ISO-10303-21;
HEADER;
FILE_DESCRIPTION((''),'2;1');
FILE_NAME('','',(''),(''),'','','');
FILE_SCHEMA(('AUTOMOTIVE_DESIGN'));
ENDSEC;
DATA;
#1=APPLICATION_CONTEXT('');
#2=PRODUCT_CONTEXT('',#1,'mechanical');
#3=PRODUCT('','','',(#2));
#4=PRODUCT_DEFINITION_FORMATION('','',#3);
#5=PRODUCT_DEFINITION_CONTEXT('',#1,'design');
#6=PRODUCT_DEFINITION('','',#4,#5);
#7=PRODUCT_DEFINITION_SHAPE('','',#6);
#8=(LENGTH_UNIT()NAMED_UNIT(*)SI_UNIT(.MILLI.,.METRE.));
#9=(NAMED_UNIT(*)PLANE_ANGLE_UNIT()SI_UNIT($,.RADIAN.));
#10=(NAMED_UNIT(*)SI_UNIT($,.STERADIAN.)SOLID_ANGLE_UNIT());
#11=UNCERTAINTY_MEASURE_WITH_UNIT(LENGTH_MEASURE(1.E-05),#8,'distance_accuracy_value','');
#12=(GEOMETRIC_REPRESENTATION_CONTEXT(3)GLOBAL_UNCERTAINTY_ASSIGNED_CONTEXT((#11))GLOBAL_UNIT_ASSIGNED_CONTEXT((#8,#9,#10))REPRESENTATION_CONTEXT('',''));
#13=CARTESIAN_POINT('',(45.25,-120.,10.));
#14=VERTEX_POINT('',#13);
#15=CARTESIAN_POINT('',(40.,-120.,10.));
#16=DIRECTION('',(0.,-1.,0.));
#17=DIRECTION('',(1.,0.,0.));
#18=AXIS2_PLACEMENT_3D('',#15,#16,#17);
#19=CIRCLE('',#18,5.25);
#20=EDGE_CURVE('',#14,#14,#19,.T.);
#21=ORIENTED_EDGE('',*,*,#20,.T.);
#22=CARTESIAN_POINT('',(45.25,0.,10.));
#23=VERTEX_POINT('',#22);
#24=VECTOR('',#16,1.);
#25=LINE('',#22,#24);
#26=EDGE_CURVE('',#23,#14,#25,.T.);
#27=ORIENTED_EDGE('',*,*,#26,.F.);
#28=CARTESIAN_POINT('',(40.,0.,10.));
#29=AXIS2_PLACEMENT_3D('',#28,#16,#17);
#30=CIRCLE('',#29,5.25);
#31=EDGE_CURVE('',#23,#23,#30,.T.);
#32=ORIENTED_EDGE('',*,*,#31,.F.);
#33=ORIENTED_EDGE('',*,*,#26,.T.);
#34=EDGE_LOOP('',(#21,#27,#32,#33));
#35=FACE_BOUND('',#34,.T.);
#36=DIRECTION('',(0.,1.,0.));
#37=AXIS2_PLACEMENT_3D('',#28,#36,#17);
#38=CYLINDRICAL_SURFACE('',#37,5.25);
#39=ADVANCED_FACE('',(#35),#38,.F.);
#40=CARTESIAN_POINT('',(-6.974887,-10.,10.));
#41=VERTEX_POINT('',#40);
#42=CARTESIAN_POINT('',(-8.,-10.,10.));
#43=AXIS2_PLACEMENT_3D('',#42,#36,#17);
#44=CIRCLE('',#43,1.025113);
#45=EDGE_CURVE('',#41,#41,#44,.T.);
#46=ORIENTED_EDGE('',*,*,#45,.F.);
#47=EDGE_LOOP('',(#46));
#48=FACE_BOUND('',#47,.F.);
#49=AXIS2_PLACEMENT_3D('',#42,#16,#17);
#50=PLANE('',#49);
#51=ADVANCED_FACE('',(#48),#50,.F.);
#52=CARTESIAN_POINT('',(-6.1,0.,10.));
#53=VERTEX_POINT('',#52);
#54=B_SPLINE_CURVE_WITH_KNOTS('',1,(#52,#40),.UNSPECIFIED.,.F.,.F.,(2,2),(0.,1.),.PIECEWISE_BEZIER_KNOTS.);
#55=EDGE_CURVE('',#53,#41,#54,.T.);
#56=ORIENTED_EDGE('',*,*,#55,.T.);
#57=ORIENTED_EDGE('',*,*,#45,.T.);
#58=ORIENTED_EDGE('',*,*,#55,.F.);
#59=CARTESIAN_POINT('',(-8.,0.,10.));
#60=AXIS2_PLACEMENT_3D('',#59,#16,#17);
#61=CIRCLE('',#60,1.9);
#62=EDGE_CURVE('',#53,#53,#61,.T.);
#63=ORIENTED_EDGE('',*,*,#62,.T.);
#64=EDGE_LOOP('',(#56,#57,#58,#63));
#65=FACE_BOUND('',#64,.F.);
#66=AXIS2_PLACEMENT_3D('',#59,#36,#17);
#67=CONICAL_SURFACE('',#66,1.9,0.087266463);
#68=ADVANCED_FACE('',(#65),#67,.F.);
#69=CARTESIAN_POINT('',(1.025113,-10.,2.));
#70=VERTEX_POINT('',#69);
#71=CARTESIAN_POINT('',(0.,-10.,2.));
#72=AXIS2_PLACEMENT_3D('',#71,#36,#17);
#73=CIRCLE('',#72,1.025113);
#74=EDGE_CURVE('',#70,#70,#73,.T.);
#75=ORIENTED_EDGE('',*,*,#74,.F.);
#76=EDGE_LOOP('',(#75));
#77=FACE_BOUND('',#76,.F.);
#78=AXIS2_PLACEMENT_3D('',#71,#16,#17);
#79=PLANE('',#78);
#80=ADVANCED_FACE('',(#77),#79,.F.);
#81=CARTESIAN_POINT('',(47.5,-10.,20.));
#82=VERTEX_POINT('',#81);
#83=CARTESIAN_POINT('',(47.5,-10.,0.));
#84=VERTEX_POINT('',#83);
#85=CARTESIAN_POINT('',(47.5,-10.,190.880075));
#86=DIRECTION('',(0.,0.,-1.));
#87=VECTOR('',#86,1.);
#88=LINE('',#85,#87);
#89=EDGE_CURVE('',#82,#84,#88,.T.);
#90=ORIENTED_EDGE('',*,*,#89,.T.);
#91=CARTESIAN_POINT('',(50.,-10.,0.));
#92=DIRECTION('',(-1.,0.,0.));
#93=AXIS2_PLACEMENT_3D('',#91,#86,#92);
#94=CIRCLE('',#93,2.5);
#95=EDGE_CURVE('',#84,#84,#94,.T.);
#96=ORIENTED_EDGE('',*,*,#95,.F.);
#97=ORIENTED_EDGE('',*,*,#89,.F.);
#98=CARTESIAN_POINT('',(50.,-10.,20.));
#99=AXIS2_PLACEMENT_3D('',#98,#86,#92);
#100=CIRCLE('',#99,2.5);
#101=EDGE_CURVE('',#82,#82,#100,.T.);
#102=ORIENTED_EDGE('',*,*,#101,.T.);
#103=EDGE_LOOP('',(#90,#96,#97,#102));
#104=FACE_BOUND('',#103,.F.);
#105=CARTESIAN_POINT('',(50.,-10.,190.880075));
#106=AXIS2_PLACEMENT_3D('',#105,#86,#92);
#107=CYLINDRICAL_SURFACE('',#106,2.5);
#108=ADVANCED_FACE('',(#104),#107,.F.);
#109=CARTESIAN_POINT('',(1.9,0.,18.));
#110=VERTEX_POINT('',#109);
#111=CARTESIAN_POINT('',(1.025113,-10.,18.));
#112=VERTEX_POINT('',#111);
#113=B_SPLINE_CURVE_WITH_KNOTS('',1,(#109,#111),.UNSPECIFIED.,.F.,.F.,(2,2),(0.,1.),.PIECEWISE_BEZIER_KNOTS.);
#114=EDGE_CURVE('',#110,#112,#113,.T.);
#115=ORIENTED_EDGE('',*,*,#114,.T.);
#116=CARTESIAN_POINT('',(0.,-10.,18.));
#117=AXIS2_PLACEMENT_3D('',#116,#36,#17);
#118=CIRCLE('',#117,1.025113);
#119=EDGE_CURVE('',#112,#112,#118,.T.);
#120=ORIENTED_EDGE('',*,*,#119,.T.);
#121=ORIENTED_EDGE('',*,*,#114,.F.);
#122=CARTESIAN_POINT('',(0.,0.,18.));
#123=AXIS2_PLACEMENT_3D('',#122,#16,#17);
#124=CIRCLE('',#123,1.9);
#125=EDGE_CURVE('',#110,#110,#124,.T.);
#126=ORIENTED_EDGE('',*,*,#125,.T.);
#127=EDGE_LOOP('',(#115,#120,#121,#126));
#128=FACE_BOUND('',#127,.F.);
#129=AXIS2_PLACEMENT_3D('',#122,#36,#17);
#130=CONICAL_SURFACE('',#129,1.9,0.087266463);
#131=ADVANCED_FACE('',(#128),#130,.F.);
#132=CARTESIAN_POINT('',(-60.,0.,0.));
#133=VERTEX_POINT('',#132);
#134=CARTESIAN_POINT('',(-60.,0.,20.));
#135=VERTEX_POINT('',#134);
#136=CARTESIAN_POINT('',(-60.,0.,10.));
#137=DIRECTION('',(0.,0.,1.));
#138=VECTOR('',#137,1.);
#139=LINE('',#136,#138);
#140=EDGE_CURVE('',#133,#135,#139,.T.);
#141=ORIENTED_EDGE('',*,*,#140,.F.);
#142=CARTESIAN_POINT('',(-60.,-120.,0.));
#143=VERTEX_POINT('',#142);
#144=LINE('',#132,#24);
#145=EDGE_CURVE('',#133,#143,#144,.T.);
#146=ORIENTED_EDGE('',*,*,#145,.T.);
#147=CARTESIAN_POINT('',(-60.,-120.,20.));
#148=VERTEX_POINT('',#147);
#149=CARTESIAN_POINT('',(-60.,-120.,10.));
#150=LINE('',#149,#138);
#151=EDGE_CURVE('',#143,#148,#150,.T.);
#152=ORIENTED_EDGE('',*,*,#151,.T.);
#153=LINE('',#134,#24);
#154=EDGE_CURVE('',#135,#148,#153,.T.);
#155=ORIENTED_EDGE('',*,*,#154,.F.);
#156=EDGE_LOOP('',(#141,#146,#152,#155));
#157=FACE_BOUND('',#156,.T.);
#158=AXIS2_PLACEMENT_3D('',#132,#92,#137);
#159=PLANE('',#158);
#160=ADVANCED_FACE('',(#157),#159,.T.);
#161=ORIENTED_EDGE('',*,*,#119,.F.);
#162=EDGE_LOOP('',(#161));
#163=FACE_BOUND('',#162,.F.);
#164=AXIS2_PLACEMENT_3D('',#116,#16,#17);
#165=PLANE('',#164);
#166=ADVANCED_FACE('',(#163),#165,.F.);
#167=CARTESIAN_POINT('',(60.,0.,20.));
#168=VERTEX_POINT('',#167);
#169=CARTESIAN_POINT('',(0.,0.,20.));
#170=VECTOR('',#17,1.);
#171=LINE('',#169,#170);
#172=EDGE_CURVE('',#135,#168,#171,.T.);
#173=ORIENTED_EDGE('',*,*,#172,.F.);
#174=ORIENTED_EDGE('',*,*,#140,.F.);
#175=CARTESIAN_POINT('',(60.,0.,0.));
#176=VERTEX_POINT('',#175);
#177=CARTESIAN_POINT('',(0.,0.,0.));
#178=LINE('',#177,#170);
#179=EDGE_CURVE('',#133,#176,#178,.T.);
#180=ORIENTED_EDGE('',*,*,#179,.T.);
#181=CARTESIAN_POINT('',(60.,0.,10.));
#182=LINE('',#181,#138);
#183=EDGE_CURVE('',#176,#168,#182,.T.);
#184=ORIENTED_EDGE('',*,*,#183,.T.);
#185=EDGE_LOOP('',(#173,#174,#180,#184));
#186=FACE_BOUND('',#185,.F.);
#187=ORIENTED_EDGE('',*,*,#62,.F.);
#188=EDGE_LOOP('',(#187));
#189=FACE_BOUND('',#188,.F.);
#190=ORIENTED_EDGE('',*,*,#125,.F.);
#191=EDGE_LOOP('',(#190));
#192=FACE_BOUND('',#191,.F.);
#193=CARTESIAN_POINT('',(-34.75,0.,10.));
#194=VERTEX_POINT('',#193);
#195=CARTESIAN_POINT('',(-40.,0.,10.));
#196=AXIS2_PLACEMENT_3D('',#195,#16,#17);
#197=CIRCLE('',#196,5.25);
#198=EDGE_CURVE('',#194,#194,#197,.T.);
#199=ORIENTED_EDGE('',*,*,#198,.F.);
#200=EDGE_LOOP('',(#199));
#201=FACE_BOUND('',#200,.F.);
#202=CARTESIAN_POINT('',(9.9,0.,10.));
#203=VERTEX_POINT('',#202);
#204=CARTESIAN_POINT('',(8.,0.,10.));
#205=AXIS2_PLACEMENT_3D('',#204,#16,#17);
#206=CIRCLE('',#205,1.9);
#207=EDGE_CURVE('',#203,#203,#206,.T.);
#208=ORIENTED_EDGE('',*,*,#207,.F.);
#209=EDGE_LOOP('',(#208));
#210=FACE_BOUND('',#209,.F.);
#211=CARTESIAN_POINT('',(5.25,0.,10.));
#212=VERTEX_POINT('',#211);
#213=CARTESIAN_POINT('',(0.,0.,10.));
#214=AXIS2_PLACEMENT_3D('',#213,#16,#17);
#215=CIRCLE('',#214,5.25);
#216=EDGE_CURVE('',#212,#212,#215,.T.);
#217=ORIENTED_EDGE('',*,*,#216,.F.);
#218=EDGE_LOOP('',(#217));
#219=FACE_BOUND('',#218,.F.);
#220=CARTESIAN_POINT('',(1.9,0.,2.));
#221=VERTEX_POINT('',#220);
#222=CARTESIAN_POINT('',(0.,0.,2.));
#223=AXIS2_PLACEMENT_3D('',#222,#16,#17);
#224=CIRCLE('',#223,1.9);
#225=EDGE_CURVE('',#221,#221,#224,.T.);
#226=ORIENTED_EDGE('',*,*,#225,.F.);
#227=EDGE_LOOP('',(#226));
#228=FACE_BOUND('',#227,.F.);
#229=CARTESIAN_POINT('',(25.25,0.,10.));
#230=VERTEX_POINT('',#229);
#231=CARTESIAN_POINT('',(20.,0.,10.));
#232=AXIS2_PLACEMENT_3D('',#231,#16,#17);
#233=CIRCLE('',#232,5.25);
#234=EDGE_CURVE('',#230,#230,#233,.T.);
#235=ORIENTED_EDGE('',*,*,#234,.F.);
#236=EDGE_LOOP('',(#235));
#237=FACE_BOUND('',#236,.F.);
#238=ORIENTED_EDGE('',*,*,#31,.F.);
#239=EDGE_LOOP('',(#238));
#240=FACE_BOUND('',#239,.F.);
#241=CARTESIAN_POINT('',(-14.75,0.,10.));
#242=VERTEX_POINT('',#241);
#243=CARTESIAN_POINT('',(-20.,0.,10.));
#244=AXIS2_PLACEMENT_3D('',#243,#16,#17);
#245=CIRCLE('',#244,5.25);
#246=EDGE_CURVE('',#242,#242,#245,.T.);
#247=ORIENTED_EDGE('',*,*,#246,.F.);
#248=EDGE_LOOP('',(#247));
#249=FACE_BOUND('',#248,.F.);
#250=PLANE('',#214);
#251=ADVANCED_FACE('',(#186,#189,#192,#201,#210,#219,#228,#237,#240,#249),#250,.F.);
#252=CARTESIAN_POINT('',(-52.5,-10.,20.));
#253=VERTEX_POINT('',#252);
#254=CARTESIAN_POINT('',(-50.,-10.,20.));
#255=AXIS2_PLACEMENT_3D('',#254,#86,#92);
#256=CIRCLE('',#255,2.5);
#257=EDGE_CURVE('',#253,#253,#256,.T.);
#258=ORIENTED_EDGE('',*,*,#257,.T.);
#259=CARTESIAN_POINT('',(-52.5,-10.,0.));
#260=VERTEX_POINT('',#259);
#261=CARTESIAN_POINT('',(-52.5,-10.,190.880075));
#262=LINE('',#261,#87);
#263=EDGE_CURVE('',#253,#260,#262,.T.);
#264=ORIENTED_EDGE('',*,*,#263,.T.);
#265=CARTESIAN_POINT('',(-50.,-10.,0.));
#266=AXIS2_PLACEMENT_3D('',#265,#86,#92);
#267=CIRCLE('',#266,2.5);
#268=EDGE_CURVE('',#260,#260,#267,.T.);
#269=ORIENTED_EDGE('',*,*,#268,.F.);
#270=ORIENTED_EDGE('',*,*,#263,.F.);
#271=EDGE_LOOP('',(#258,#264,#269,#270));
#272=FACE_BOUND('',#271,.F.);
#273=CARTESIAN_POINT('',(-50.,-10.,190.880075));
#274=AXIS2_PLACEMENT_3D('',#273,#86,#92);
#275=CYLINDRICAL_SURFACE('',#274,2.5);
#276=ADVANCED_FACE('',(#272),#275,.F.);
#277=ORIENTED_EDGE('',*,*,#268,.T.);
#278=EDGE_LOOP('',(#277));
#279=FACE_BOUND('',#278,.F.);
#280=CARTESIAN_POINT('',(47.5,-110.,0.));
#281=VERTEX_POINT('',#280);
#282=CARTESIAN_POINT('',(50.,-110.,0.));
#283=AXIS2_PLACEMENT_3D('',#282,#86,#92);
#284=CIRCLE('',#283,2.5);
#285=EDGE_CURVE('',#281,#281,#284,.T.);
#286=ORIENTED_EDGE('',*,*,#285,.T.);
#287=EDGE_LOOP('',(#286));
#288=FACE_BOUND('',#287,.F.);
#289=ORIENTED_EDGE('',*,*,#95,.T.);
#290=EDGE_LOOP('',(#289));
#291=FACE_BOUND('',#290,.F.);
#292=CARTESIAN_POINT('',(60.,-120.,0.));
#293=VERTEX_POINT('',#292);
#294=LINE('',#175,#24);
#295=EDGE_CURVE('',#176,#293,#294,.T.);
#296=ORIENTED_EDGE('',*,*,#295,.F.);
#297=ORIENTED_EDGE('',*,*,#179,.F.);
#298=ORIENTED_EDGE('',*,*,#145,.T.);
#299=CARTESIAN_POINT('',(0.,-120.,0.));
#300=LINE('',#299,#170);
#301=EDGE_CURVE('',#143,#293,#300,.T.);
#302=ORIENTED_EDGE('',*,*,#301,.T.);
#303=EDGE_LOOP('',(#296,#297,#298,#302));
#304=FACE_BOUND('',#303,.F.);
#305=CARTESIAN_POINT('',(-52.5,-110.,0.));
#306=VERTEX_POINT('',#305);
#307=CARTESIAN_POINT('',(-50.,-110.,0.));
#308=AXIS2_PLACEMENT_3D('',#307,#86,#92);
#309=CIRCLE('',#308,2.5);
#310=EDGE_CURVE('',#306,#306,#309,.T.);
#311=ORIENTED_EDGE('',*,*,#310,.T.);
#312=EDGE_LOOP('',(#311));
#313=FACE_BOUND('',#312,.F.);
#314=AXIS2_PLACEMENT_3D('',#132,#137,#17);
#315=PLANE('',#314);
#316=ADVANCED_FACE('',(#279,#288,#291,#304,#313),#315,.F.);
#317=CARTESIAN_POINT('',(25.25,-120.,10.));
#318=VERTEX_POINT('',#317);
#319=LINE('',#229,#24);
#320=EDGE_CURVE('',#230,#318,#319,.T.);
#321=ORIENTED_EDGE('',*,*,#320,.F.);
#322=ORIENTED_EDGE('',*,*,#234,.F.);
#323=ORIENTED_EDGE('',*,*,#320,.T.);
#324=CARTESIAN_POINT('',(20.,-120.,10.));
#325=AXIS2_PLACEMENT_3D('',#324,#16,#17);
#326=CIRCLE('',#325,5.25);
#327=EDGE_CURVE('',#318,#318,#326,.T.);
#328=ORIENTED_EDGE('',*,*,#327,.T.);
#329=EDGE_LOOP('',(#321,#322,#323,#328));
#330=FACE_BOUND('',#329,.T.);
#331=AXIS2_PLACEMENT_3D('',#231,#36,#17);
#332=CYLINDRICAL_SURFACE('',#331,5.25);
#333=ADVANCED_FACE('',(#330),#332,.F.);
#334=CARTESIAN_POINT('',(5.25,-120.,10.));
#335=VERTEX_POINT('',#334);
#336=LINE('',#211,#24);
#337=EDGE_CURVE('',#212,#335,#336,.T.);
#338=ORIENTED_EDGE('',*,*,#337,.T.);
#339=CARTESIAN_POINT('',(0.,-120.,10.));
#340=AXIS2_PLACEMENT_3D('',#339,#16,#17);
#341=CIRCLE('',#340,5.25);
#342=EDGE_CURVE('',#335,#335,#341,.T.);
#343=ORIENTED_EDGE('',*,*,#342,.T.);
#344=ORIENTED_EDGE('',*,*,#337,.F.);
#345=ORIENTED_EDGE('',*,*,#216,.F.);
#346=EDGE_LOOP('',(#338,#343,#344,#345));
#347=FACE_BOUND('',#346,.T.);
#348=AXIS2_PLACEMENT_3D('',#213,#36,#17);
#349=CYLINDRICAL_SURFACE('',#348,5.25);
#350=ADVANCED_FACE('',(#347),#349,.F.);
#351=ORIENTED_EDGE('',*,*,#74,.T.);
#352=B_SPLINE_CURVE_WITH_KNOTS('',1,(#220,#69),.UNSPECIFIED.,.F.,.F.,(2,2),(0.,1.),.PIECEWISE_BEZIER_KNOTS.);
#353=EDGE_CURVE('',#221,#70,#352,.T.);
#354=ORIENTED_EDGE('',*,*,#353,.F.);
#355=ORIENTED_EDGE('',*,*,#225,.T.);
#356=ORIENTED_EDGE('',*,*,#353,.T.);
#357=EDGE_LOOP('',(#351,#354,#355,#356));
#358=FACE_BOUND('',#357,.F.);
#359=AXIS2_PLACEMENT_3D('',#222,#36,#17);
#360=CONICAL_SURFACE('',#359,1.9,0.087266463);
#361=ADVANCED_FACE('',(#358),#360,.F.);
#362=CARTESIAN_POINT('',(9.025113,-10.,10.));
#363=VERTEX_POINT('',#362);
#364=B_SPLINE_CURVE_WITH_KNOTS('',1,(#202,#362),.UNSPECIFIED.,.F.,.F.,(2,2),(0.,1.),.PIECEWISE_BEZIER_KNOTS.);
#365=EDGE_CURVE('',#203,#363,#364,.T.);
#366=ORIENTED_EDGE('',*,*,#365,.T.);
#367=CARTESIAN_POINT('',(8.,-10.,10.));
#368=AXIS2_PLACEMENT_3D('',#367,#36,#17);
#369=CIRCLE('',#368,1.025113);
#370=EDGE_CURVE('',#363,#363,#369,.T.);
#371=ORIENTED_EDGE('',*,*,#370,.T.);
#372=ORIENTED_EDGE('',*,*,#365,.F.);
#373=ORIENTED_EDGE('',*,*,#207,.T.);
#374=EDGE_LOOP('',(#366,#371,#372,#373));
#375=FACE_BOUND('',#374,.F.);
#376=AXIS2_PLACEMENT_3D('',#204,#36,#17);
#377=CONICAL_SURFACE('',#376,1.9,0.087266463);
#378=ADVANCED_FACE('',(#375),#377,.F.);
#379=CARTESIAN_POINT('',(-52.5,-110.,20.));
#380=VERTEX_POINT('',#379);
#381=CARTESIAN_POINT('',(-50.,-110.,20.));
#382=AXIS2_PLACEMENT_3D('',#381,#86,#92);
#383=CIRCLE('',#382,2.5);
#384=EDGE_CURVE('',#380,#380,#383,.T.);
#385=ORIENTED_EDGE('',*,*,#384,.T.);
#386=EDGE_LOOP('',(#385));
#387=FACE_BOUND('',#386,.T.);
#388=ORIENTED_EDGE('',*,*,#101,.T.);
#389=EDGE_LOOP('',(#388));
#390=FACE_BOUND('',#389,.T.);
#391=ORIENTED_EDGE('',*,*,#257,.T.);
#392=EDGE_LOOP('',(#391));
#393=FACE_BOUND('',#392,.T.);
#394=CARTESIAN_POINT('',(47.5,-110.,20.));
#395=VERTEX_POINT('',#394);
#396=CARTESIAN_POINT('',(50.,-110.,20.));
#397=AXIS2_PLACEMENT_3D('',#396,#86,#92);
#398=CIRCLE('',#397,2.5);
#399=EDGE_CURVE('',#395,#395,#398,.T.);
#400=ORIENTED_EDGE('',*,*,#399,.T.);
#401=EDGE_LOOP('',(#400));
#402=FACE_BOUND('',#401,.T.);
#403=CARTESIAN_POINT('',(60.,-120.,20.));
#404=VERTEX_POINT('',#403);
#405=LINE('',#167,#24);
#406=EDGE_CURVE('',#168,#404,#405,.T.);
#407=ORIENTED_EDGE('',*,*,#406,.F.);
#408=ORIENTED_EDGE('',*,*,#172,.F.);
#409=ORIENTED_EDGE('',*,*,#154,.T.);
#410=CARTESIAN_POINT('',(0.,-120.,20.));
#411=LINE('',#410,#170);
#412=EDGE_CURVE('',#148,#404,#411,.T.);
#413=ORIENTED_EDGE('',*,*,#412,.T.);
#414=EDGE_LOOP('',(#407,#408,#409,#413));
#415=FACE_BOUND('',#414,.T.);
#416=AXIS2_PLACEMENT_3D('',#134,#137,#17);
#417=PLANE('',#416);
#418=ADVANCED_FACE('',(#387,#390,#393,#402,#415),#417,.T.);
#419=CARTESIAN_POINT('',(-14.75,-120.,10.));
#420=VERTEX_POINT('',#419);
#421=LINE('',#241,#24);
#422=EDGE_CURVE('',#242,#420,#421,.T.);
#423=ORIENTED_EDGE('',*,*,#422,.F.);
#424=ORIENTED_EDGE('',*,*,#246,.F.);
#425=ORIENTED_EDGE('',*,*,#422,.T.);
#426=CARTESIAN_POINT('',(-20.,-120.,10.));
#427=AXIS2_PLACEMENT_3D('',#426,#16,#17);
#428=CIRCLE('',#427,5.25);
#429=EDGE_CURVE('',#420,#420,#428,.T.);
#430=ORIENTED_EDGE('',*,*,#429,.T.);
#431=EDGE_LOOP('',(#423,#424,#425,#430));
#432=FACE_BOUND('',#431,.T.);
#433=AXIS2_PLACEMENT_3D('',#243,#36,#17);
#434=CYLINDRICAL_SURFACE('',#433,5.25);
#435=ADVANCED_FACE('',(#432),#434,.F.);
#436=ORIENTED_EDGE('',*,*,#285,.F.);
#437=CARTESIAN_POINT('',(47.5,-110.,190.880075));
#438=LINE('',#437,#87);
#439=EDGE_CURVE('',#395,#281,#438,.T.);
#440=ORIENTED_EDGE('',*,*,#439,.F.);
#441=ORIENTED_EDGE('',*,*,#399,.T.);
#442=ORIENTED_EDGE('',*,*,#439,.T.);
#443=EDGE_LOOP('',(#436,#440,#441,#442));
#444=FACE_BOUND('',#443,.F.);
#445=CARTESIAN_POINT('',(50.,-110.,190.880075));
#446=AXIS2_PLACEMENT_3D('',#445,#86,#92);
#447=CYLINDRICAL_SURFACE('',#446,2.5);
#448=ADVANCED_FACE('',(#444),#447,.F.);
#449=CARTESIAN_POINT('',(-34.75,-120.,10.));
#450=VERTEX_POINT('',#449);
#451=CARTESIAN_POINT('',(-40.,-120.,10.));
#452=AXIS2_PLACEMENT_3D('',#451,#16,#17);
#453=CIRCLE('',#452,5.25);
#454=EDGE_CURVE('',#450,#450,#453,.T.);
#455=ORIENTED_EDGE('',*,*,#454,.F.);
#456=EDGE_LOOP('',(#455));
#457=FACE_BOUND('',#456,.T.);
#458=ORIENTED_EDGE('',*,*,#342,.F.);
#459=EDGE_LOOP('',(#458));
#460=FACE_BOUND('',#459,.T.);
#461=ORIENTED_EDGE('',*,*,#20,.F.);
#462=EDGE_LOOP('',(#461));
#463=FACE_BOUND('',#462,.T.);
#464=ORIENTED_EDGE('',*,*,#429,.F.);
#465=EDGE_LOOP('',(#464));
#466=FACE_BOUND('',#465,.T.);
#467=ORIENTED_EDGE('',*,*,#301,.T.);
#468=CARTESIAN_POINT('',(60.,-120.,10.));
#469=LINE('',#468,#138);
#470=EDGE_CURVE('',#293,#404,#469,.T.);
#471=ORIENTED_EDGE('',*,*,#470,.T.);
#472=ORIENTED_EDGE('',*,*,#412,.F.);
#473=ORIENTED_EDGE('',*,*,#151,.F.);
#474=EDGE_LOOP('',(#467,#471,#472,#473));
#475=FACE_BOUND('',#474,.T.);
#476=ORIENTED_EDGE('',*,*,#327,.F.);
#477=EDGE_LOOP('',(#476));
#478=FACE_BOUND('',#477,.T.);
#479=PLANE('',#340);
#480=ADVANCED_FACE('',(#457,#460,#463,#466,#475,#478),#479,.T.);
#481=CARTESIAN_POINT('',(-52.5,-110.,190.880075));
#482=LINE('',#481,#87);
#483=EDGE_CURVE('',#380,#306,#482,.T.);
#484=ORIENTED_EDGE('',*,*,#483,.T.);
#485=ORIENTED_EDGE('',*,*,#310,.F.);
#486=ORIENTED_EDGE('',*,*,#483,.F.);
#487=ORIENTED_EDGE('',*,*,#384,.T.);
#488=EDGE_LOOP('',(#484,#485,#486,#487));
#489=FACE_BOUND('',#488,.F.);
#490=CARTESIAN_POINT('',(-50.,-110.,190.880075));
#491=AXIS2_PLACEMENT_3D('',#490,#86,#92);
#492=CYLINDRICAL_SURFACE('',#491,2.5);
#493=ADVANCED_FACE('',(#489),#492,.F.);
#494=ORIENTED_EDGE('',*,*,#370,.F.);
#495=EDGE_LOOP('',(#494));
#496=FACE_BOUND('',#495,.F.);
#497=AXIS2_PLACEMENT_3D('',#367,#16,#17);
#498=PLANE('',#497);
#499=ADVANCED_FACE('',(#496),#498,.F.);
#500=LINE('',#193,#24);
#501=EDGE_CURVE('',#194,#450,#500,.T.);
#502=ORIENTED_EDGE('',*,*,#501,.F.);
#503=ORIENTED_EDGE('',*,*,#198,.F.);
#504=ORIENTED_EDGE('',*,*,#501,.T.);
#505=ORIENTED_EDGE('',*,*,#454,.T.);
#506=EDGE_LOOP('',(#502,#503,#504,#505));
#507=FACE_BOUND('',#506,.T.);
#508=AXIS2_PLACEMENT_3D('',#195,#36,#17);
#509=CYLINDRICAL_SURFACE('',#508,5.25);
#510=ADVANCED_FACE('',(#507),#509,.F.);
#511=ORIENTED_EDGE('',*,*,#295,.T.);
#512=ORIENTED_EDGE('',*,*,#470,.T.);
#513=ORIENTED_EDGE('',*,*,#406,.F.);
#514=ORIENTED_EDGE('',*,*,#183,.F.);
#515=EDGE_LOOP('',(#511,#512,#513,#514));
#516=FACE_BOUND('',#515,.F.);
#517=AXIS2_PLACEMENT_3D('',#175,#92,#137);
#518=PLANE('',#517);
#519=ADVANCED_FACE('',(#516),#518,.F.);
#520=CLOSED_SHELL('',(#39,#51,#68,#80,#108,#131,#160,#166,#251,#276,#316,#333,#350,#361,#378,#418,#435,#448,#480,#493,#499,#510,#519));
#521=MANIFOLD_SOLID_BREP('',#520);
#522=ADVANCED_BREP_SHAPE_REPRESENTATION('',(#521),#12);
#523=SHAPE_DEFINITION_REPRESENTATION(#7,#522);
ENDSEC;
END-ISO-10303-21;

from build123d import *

# Parameters (mm, degrees)
F0_W     = 120
F0_H     = 20
F0_R     = 1.9
F0_R_2   = 5.25
F1_DEPTH = 120
F3_D     = 5
F4_DEPTH = 10
F4_TAPER = 5


with BuildPart() as f1:
    # F0 (on Front) → F1 (new body)
    with BuildSketch(Plane.XZ):
        with Locations((0, 10)):
            Rectangle(F0_W, F0_H)
        with Locations((0, 2)):
            Circle(F0_R, mode=Mode.SUBTRACT)
        with Locations((-40, 10)):
            Circle(F0_R_2, mode=Mode.SUBTRACT)
        with Locations((-20, 10)):
            Circle(F0_R_2, mode=Mode.SUBTRACT)
        with Locations((-8, 10)):
            Circle(F0_R, mode=Mode.SUBTRACT)
        with Locations((0, 10)):
            Circle(F0_R_2, mode=Mode.SUBTRACT)
        with Locations((8, 10)):
            Circle(F0_R, mode=Mode.SUBTRACT)
        with Locations((20, 10)):
            Circle(F0_R_2, mode=Mode.SUBTRACT)
        with Locations((40, 10)):
            Circle(F0_R_2, mode=Mode.SUBTRACT)
        with Locations((0, 18)):
            Circle(F0_R, mode=Mode.SUBTRACT)
        with Locations((8, 10)):
            Circle(F0_R)
        with Locations((0, 18)):
            Circle(F0_R)
        with Locations((-8, 10)):
            Circle(F0_R)
        with Locations((0, 2)):
            Circle(F0_R)
    extrude(amount=F1_DEPTH)

    # F3 (through all)
    with Locations(Plane.XY.offset(20)):
        with Locations((-50, -10), (50, -10), (-50, -110), (50, -110)):
            Hole(F3_D / 2)

    # F0 (on Front) → F4 (cut)
    with BuildSketch(Plane.XZ):
        with Locations((8, 10)):
            Circle(F0_R)
        with Locations((0, 18)):
            Circle(F0_R)
        with Locations((-8, 10)):
            Circle(F0_R)
        with Locations((0, 2)):
            Circle(F0_R)
    extrude(amount=F4_DEPTH, taper=F4_TAPER, mode=Mode.SUBTRACT)


solid = f1.part
